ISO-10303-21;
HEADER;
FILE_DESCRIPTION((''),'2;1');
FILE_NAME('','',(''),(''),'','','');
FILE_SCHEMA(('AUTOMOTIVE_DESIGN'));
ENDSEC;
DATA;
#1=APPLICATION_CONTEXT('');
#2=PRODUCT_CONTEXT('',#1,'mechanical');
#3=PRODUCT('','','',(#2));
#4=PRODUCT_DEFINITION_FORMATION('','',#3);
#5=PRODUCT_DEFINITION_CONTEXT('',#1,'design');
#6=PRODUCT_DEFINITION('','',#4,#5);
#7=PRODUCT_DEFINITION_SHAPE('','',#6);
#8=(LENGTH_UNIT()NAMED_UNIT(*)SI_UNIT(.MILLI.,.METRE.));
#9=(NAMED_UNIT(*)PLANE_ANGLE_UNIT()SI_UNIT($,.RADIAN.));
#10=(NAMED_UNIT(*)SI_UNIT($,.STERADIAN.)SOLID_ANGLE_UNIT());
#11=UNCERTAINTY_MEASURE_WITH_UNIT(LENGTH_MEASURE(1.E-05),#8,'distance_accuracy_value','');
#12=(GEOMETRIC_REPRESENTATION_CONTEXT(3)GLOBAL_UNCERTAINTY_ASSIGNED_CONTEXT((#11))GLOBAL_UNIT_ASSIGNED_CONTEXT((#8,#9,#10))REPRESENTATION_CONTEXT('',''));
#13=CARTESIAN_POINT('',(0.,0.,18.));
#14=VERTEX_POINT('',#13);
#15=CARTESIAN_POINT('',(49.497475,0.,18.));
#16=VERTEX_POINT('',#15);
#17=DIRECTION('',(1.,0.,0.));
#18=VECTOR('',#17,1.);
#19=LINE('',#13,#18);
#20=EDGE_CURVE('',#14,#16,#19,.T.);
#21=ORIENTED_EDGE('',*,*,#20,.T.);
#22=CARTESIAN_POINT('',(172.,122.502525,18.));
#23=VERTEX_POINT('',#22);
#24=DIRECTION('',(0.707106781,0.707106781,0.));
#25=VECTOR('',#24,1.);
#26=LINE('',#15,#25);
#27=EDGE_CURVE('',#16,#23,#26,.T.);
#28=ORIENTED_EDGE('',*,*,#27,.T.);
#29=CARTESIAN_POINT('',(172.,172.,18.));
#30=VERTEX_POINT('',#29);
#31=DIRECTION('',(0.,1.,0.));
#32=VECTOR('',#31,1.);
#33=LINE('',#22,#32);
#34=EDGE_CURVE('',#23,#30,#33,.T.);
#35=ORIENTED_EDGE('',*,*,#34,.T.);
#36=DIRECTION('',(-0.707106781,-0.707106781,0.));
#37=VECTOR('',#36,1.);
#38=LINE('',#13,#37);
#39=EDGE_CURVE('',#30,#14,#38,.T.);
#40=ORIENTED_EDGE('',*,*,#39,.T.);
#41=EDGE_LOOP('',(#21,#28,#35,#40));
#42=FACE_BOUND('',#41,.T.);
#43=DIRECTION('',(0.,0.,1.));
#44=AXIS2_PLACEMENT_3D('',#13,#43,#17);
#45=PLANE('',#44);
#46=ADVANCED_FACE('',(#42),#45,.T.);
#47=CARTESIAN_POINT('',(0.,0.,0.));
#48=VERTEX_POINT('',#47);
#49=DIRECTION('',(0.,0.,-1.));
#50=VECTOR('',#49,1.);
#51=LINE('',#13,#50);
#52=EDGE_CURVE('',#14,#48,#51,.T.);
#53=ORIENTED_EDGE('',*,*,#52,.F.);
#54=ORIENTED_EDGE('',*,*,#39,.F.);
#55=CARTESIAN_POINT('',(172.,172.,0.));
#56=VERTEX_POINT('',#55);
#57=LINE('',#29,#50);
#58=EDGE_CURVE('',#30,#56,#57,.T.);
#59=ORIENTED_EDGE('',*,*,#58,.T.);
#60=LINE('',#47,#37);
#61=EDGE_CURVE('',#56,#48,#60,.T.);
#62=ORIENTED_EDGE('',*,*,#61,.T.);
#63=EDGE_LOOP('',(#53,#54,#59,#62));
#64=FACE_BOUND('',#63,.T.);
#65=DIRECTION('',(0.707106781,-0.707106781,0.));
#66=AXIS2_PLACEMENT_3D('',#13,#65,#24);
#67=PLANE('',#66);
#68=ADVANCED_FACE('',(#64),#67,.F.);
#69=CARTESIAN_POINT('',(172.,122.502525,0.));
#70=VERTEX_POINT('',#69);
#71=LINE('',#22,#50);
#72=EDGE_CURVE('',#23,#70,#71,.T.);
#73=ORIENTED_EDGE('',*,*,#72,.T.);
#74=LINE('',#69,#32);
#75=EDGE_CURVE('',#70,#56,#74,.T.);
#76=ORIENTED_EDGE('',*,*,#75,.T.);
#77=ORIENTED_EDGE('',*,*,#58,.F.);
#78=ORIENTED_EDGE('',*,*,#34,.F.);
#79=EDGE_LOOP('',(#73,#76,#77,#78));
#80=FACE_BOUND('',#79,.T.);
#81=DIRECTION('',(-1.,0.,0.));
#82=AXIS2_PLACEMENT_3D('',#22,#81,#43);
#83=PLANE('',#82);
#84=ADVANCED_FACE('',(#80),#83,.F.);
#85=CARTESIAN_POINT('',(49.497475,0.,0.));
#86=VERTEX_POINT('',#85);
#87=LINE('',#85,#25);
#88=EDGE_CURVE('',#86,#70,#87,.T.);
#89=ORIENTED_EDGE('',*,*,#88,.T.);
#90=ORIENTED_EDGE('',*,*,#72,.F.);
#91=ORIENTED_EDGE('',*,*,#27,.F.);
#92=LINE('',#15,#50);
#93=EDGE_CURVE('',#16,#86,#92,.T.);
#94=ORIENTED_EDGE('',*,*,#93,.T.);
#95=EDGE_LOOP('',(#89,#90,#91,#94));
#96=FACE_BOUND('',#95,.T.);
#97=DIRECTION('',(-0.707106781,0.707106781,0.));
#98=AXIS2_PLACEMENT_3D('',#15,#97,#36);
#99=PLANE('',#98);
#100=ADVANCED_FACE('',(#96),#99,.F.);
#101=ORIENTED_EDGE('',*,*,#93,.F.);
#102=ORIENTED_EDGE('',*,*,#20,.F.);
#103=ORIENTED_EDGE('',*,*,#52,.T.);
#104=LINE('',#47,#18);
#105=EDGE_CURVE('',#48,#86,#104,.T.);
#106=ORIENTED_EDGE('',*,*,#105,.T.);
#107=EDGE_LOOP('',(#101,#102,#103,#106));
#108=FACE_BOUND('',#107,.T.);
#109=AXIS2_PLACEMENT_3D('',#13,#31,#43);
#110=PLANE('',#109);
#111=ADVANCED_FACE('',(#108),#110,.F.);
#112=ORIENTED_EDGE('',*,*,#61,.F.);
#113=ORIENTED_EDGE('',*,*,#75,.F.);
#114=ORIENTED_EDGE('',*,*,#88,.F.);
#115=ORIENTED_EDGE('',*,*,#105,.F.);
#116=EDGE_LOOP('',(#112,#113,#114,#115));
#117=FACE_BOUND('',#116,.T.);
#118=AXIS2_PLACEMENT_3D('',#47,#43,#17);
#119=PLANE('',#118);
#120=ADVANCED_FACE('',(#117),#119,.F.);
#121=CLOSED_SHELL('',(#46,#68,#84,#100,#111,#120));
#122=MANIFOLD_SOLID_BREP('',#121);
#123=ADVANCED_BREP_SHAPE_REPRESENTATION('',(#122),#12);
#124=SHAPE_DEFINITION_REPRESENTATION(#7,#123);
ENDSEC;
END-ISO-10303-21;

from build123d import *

# Parameters (mm, degrees)
BOSS_EXTRUDE2_DEPTH = 18


with BuildPart() as part:
    # Sketch1 → Boss-Extrude2 (new body)
    with BuildSketch(Plane.XY):
        Polygon((0, 0), (172, 172), (172, 122.502525317), (49.497474683, 0), align=None)
    extrude(amount=BOSS_EXTRUDE2_DEPTH)


solid = part.part
